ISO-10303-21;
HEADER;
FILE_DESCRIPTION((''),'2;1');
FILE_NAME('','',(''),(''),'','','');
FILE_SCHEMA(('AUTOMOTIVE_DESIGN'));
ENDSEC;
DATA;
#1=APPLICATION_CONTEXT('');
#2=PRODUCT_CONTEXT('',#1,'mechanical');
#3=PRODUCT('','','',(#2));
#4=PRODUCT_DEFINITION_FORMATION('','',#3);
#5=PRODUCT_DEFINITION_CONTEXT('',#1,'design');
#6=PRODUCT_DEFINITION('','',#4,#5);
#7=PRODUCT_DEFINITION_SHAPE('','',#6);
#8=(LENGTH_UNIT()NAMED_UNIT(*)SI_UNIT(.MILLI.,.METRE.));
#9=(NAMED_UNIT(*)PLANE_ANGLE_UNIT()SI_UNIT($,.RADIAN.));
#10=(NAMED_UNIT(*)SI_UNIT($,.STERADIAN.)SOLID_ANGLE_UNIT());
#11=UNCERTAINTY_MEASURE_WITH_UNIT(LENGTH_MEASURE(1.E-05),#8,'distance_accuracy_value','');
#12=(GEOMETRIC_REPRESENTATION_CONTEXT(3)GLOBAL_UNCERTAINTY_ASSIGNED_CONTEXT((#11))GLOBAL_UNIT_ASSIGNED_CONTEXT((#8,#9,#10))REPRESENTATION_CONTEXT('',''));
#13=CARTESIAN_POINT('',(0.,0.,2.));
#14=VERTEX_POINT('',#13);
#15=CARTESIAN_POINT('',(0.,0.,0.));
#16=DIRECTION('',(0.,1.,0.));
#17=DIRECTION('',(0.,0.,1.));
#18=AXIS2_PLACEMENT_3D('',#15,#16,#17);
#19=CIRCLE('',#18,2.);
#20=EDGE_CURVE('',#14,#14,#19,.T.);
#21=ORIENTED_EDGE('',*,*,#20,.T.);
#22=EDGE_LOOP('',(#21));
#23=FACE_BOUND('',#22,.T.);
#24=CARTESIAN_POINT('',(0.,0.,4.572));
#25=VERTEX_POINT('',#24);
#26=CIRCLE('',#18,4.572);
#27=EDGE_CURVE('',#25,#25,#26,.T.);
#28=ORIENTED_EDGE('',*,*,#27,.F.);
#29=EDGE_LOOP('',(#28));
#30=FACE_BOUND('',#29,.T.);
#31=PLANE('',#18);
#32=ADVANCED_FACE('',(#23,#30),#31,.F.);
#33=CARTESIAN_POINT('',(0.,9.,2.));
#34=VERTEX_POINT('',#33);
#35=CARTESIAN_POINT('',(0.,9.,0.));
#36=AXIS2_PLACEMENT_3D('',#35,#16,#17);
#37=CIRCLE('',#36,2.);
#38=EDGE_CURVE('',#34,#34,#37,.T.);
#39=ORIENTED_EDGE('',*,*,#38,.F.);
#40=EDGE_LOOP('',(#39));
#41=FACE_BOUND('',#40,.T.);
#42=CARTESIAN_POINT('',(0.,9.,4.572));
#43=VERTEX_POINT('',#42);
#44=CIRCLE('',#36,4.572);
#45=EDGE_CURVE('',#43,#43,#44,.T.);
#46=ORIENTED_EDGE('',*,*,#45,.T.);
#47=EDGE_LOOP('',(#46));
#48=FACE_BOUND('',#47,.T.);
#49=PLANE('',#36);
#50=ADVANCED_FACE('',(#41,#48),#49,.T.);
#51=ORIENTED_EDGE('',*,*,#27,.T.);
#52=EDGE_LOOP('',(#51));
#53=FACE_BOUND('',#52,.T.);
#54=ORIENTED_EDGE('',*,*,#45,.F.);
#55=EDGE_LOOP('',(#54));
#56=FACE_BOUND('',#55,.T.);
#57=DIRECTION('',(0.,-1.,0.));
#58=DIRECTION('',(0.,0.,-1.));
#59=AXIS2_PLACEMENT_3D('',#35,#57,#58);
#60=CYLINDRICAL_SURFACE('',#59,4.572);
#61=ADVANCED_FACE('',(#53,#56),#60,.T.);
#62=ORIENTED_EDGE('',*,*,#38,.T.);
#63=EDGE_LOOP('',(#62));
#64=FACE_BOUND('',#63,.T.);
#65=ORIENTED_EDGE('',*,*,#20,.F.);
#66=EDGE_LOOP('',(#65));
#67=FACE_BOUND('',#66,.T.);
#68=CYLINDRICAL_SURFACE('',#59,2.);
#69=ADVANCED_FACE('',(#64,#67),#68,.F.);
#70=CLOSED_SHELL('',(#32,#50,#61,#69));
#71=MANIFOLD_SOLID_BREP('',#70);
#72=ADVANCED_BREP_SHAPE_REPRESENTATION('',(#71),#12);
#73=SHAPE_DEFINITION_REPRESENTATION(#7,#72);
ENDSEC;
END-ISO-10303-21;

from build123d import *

# Parameters (mm, degrees)
SKETCH1_R           = 4.572
SKETCH1_R_2         = 2
BOSS_EXTRUDE1_DEPTH = 9


with BuildPart() as part:
    # Sketch1 → Boss-Extrude1 (new body)
    with BuildSketch(Plane(origin=(0, 0, 0), x_dir=(1, 0, 0), z_dir=(0, 1, 0))):
        with Locations(Location((0, 0, 0), (0, 0, 270))):
            Circle(SKETCH1_R)
        with Locations(Location((0, 0, 0), (0, 0, 270))):
            Circle(SKETCH1_R_2, mode=Mode.SUBTRACT)
    extrude(amount=BOSS_EXTRUDE1_DEPTH)


solid = part.part
